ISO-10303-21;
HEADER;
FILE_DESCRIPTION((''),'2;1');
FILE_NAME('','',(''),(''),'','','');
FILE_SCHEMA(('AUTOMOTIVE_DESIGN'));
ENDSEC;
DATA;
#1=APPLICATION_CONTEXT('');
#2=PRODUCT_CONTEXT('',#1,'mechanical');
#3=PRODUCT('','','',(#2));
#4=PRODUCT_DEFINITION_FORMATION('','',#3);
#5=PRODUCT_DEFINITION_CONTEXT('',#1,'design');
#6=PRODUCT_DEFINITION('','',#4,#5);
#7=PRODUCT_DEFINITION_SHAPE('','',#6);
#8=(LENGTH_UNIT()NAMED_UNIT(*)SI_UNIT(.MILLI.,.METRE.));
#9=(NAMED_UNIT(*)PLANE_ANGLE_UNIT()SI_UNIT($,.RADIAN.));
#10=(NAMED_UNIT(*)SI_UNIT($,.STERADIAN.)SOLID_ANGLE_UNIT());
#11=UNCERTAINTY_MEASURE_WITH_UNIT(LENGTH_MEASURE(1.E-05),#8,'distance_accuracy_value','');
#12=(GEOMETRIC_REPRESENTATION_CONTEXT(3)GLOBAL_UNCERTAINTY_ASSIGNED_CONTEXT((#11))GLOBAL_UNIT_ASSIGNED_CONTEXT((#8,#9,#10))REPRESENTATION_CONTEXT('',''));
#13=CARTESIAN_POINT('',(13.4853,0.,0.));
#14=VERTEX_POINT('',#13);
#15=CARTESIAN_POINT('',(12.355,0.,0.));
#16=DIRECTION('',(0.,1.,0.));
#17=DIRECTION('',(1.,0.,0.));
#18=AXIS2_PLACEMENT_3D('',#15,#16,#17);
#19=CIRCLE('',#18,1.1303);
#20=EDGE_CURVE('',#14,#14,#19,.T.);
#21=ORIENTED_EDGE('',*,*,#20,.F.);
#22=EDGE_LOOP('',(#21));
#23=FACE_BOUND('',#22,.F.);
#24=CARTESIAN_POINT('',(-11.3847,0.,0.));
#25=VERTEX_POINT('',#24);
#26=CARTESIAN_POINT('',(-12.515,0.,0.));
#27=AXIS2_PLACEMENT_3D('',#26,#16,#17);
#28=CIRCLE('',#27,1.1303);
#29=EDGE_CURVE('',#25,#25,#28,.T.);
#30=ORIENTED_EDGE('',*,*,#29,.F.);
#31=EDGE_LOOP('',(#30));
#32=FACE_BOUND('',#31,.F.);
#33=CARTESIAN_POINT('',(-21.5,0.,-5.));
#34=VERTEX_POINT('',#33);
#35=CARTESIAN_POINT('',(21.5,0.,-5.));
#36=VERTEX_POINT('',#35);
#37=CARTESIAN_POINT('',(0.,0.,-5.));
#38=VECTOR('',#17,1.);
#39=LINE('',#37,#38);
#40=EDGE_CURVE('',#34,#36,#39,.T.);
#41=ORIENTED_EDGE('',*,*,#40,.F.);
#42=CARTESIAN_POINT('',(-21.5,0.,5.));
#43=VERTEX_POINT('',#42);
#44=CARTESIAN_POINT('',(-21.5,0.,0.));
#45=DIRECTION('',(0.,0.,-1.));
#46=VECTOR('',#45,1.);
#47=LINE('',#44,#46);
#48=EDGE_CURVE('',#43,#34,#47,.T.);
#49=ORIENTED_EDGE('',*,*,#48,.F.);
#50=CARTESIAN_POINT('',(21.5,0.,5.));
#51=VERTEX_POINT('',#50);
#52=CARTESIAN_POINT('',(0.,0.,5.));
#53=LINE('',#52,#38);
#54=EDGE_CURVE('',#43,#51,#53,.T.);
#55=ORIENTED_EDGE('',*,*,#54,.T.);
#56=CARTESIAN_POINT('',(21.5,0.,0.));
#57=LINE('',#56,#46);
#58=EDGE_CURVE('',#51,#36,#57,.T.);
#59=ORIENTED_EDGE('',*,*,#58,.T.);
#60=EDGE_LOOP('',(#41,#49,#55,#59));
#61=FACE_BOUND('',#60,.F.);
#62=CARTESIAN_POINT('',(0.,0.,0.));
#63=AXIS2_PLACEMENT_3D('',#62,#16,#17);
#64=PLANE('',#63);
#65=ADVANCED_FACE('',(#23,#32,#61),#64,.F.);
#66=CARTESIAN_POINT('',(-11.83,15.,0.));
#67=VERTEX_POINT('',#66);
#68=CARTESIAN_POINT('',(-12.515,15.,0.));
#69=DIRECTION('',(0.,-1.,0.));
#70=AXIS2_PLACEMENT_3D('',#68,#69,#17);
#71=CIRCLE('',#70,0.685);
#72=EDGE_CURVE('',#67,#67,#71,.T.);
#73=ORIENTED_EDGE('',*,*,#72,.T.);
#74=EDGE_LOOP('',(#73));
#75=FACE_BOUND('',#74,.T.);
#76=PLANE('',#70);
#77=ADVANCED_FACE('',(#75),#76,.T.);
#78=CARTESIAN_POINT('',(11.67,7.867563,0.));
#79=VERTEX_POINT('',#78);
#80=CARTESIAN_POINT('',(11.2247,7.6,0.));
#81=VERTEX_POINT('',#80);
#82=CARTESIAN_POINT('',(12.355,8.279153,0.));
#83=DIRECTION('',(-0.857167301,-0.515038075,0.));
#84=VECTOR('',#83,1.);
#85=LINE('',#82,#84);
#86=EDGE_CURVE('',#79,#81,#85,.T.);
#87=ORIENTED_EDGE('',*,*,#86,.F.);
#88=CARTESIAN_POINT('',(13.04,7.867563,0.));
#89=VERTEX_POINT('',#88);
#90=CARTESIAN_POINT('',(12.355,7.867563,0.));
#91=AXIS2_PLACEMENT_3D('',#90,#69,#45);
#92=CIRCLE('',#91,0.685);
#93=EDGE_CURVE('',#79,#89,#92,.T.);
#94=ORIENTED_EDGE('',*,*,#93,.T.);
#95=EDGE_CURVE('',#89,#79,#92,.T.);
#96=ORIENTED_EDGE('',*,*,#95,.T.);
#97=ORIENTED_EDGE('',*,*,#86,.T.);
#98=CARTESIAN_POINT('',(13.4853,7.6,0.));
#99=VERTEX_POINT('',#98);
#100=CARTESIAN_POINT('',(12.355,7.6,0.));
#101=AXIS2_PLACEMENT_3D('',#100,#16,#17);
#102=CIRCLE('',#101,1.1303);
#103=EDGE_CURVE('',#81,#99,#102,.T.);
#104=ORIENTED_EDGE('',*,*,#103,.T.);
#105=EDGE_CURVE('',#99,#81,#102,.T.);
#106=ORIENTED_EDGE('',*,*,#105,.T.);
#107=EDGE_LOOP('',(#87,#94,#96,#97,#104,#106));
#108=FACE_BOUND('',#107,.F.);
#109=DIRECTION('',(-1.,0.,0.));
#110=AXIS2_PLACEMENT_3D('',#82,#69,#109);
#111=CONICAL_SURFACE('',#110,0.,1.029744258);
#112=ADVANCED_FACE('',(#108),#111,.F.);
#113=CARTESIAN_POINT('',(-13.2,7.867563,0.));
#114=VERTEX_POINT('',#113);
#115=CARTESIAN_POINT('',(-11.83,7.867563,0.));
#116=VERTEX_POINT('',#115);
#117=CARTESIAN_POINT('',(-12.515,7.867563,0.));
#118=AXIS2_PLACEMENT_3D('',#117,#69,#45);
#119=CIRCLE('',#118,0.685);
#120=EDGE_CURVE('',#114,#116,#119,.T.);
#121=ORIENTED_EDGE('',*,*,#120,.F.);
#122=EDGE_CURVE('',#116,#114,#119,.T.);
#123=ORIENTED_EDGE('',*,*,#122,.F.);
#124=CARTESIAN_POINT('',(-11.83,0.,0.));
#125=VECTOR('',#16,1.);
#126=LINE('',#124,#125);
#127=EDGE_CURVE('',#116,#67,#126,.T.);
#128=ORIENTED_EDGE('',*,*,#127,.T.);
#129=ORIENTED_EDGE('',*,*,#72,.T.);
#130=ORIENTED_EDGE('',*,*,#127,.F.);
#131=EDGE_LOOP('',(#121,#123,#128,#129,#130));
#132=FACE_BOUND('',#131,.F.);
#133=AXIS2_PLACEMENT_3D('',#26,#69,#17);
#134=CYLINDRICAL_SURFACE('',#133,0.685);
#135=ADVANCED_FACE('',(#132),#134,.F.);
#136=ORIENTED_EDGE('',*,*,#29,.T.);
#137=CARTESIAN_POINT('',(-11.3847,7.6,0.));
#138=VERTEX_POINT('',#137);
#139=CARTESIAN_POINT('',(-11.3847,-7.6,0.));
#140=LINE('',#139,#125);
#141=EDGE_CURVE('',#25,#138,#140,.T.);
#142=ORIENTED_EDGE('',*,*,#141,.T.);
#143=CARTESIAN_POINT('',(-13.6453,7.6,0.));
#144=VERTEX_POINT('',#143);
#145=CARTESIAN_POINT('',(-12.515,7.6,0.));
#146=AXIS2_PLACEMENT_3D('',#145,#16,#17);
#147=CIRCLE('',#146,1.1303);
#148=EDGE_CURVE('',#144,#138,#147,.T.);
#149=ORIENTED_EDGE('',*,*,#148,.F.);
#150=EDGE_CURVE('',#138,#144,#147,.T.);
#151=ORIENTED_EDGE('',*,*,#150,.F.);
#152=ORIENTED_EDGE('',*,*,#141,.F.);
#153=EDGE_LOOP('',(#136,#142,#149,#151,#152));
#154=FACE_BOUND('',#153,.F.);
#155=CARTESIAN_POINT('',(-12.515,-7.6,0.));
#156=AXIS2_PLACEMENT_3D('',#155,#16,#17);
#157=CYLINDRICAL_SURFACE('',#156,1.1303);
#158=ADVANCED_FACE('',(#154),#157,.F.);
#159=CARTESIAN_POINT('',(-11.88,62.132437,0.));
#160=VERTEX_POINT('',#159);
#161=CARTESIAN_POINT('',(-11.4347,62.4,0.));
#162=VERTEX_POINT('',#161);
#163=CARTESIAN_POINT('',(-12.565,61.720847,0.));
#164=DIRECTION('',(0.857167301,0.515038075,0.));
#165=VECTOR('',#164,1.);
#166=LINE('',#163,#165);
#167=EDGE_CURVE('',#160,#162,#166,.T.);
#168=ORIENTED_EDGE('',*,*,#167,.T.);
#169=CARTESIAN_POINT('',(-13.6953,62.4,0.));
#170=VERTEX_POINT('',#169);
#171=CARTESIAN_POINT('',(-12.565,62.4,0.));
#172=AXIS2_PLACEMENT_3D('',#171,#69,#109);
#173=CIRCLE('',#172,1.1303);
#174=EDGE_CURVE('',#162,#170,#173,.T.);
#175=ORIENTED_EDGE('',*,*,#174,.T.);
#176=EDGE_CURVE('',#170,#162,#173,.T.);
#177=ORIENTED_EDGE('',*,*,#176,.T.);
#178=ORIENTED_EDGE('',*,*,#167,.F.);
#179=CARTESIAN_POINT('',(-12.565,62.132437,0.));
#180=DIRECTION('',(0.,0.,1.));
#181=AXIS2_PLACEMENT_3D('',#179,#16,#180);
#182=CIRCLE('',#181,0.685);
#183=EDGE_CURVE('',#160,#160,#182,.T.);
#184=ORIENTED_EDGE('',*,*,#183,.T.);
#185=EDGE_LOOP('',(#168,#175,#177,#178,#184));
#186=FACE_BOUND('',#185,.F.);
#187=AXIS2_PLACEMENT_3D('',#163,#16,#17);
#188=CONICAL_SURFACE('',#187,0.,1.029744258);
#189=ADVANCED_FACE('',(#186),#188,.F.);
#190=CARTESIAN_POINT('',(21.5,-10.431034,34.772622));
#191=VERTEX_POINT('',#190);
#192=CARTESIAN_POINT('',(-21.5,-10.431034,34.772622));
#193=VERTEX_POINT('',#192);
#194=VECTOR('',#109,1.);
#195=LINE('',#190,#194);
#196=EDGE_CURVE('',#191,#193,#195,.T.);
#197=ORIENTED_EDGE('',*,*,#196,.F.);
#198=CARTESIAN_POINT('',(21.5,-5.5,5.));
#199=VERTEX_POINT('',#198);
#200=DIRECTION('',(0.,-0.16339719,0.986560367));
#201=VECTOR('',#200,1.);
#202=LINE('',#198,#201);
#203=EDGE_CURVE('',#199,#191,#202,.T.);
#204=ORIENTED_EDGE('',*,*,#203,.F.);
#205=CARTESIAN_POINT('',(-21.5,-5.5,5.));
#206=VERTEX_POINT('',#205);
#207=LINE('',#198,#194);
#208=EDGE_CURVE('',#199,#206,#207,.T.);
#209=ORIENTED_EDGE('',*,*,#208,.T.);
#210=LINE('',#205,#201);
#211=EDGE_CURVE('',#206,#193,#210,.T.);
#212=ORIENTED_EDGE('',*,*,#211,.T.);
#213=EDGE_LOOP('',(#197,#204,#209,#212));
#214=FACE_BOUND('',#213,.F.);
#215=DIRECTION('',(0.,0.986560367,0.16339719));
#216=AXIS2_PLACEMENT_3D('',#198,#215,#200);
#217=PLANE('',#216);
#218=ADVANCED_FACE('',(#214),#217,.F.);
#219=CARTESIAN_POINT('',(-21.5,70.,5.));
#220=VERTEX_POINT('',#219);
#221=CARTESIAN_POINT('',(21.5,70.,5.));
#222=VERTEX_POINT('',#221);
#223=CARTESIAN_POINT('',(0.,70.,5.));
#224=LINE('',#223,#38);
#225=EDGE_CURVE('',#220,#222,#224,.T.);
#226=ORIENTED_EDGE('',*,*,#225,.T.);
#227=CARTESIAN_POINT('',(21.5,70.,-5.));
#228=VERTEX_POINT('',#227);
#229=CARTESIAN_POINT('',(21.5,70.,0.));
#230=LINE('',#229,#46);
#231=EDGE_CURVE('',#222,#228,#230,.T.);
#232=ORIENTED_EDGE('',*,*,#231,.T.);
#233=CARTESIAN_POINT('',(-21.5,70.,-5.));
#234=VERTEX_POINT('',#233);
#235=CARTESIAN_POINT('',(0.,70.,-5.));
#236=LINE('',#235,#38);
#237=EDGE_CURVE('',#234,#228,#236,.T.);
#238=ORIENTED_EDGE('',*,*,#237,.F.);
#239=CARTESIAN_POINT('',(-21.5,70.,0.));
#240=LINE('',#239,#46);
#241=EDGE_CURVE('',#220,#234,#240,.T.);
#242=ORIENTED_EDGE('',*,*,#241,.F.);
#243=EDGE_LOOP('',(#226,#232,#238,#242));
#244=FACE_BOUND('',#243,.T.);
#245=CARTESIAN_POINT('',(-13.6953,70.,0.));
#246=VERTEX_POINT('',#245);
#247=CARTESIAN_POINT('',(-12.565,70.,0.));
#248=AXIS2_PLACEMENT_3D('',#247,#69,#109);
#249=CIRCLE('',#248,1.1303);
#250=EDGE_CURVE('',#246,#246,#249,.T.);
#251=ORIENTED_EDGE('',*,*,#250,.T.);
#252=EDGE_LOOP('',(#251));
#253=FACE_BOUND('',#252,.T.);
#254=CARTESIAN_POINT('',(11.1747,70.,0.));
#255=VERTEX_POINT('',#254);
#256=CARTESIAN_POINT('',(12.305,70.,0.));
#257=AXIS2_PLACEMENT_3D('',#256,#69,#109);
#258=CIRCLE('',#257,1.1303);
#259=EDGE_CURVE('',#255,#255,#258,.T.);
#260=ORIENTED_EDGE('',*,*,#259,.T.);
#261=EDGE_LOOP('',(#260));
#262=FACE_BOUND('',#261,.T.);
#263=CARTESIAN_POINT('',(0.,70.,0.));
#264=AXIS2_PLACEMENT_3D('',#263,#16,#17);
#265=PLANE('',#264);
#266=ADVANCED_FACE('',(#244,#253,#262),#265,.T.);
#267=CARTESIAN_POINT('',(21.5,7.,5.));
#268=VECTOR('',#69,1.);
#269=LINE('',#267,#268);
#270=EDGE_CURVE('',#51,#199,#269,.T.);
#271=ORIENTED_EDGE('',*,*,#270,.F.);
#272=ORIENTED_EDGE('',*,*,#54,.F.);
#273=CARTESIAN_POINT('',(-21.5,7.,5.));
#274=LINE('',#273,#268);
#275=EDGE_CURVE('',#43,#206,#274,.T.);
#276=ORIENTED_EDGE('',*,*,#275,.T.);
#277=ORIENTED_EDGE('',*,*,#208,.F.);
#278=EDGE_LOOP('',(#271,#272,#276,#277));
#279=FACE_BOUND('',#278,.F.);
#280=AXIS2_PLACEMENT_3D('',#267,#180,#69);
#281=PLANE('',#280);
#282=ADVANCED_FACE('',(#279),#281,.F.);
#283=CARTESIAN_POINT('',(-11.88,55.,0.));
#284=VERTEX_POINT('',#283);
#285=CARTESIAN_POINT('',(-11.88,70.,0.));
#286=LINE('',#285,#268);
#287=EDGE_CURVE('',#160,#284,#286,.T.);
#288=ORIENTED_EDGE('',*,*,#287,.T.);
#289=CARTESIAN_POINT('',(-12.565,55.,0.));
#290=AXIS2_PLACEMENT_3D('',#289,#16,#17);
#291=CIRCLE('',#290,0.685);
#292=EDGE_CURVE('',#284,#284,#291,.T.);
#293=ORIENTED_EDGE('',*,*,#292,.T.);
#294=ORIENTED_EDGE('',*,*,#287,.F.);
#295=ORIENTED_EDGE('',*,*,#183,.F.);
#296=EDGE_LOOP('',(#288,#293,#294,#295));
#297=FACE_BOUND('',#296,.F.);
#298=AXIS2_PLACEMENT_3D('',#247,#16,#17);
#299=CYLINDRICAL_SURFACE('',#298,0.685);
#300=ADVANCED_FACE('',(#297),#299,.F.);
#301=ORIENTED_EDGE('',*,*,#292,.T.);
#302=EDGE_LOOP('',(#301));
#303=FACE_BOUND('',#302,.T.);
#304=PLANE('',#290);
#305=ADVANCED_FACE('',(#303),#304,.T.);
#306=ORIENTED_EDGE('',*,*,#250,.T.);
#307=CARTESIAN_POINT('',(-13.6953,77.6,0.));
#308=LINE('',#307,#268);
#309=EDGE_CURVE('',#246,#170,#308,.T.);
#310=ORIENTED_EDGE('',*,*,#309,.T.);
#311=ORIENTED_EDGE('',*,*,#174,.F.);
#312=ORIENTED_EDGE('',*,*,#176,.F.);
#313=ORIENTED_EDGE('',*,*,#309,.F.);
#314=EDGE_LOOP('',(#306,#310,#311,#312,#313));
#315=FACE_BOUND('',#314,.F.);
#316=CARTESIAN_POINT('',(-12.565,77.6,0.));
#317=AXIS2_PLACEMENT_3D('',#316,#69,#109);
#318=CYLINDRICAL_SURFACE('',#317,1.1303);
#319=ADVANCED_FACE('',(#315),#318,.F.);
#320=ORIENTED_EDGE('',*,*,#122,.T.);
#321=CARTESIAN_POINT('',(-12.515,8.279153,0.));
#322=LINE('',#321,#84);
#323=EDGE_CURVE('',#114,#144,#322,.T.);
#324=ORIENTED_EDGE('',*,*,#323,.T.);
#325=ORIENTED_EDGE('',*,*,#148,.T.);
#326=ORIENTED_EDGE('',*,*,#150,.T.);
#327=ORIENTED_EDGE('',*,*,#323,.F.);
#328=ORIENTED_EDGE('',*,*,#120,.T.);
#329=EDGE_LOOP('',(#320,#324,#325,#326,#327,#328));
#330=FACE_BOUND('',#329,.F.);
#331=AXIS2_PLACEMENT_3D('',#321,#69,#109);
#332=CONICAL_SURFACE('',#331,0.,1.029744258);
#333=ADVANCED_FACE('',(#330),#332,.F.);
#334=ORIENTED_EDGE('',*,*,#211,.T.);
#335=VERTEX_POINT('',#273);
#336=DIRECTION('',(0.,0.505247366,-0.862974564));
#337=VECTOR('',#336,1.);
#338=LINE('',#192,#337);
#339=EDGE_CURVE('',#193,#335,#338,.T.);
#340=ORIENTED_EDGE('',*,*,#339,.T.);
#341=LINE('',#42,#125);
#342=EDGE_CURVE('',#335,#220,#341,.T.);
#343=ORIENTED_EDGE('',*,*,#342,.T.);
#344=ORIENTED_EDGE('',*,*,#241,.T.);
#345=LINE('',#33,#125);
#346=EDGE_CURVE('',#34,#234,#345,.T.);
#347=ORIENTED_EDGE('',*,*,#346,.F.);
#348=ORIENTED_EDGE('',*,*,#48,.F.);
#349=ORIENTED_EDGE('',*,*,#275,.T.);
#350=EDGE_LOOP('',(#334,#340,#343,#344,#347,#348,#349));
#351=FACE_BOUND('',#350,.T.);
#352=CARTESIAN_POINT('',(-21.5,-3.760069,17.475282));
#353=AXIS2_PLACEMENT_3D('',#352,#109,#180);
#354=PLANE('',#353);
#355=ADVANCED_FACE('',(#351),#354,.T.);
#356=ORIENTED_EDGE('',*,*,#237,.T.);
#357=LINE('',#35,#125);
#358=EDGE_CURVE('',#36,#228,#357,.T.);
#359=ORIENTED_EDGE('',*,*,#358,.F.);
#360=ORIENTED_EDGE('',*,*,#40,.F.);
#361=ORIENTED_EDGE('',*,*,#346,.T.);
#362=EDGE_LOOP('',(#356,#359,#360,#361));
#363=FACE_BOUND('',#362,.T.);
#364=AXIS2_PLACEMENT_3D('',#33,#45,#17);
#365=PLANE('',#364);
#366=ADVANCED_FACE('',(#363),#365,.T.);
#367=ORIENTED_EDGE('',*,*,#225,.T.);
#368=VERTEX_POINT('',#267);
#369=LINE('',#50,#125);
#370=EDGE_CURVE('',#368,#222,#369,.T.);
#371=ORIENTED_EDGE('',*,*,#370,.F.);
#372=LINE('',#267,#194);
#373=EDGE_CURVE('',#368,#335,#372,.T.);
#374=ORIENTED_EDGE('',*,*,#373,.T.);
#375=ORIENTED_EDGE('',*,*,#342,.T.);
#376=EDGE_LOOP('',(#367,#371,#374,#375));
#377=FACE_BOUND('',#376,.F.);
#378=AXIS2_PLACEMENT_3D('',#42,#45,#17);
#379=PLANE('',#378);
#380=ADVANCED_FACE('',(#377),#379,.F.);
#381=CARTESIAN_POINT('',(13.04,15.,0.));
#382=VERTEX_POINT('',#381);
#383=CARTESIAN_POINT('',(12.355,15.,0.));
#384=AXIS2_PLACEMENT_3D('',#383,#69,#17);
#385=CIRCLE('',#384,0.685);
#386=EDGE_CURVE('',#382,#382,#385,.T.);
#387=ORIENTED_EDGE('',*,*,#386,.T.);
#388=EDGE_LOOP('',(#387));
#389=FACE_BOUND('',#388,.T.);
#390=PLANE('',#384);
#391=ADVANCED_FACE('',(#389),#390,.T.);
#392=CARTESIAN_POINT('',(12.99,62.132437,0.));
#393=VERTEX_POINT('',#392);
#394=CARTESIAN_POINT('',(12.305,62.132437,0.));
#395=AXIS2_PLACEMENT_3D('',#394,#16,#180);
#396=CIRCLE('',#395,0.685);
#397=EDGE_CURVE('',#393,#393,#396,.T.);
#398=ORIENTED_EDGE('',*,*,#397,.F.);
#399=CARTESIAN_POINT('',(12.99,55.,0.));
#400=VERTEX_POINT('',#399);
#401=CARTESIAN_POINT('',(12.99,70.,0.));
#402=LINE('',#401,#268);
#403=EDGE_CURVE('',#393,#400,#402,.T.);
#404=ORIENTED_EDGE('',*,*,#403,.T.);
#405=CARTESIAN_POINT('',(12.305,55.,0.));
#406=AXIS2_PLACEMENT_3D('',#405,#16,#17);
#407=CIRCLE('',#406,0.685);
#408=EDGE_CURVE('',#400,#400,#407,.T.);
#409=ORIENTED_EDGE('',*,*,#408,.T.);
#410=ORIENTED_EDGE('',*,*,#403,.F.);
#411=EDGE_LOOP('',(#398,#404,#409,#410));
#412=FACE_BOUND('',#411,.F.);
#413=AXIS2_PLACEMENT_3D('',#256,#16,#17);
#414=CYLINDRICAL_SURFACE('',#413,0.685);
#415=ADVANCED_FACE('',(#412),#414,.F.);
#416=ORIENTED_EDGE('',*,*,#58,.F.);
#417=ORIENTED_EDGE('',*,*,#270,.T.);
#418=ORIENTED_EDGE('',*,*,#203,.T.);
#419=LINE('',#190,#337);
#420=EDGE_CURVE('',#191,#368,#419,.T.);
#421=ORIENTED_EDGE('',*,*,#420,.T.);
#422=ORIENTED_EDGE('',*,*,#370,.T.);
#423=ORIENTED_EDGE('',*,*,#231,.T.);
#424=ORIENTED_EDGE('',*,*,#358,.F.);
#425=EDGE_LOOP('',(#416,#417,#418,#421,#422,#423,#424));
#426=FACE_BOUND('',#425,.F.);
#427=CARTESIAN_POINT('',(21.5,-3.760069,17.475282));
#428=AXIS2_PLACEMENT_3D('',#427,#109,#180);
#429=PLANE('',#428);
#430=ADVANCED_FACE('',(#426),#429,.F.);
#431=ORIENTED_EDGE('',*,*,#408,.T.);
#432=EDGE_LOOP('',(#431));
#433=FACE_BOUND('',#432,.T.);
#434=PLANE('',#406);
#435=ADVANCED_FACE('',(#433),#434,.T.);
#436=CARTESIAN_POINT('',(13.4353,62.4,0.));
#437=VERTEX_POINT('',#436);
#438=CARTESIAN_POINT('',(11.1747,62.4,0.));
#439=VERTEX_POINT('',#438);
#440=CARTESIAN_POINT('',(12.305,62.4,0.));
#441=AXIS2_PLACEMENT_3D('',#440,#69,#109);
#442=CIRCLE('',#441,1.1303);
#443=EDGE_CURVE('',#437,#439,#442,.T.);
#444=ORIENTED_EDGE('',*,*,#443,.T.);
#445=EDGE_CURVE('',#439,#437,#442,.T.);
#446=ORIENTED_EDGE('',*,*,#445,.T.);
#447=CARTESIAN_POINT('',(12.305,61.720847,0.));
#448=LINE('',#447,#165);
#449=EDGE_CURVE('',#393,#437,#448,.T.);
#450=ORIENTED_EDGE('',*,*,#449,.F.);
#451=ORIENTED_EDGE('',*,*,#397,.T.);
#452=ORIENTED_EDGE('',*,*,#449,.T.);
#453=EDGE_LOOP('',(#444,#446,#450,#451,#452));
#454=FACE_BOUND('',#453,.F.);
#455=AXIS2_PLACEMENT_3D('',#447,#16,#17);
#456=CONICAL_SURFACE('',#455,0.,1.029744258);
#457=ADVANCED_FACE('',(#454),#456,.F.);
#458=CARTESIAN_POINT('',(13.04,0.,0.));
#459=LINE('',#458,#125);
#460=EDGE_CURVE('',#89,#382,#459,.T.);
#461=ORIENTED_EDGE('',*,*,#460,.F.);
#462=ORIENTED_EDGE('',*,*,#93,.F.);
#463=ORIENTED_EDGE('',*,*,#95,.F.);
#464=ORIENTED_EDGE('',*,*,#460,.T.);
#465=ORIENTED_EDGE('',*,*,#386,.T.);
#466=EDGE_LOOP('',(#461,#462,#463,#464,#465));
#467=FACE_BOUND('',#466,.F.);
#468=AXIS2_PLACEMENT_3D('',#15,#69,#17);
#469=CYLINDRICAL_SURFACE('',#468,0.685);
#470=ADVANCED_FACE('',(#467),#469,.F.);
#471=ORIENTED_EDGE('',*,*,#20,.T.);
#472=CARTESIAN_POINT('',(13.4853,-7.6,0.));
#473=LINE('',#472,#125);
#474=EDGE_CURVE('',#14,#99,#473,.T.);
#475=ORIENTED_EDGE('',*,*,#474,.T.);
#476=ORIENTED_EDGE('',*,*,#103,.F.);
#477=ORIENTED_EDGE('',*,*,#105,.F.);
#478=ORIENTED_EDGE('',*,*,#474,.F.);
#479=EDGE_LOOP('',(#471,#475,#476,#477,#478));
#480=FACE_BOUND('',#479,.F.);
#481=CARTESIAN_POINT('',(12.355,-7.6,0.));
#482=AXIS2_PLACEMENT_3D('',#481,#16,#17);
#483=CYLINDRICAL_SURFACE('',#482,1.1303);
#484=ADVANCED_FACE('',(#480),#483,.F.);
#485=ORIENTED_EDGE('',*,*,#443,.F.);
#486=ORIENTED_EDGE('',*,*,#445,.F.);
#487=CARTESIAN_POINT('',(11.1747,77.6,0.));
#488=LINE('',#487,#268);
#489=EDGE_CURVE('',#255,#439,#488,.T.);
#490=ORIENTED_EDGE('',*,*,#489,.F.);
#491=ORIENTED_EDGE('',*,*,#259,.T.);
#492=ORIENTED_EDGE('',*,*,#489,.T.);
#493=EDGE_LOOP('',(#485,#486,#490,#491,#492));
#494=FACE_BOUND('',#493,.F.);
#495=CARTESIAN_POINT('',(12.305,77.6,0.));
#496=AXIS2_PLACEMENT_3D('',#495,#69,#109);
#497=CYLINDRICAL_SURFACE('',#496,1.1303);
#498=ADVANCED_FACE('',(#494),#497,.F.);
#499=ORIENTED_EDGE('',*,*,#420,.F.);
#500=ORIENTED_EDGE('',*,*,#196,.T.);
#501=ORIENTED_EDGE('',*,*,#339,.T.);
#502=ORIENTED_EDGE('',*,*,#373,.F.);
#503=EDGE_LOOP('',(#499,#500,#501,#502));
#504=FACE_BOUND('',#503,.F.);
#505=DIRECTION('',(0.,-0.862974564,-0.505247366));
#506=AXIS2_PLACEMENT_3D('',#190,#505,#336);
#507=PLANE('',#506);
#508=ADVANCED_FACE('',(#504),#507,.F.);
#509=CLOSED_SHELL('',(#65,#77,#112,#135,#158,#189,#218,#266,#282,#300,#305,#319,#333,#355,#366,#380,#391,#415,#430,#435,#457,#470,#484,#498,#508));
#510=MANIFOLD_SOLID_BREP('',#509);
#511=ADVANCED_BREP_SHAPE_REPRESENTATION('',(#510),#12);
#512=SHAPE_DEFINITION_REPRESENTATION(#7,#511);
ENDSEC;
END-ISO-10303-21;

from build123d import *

# Parameters (mm, degrees)
SKETCH1_W                 = 43
SKETCH1_H                 = 10
BOSS_EXTRUDE1_DEPTH       = 70
BOSS_EXTRUDE3_DEPTH       = 43
SKETCH3_R                 = 0.685
CUT_EXTRUDE1_DEPTH        = 15
SKETCH4_R                 = 0.685
CUT_EXTRUDE2_DEPTH        = 15
F_4_40_TAPPED_HOLE1_D     = 2.2606
F_4_40_TAPPED_HOLE1_DEPTH = 7.6
F_4_40_TAPPED_HOLE1_TIP   = 0.679152758
F_4_40_TAPPED_HOLE2_D     = 2.2606
F_4_40_TAPPED_HOLE2_DEPTH = 7.6
F_4_40_TAPPED_HOLE2_TIP   = 0.679152758


with BuildPart() as part:
    # Sketch1 → Boss-Extrude1 (new body)
    with BuildSketch(Plane(origin=(0, 0, 0), x_dir=(1, 0, 0), z_dir=(0, 1, 0))):
        Rectangle(SKETCH1_W, SKETCH1_H)
    extrude(amount=BOSS_EXTRUDE1_DEPTH)

    # Sketch2 → Boss-Extrude3 (add)
    with BuildSketch(Plane(origin=(21.5, 0, 0), x_dir=(0, 0, -1), z_dir=(1, 0, 0))):
        Polygon((-5, 7), (-5, -5.5), (-34.772622472, -10.431034139), align=None)
    extrude(amount=-BOSS_EXTRUDE3_DEPTH)

    # Sketch3 → Cut-Extrude1 (cut)
    with BuildSketch(Plane.XZ):
        with Locations((-12.515, 0)):
            Circle(SKETCH3_R)
        with Locations((12.355, 0)):
            Circle(SKETCH3_R)
    extrude(amount=-CUT_EXTRUDE1_DEPTH, mode=Mode.SUBTRACT)

    # Sketch4 → Cut-Extrude2 (cut)
    with BuildSketch(Plane(origin=(0, 70, 0), x_dir=(1, 0, 0), z_dir=(0, 1, 0))):
        with Locations((-12.565, 0)):
            Circle(SKETCH4_R)
        with Locations((12.305, 0)):
            Circle(SKETCH4_R)
    extrude(amount=-CUT_EXTRUDE2_DEPTH, mode=Mode.SUBTRACT)

    # #4-40 Tapped Hole1
    with Locations(Plane(origin=(0, 70, 0), x_dir=(1, 0, 0), z_dir=(0, 1, 0))):
        with Locations((12.305, 0), (-12.565, 0)):
            Hole(F_4_40_TAPPED_HOLE1_D / 2, depth=F_4_40_TAPPED_HOLE1_DEPTH)
            with Locations((0, 0, -(F_4_40_TAPPED_HOLE1_DEPTH + F_4_40_TAPPED_HOLE1_TIP / 2))):  # 118° drill point
                Cone(0, F_4_40_TAPPED_HOLE1_D / 2, F_4_40_TAPPED_HOLE1_TIP, mode=Mode.SUBTRACT)

    # #4-40 Tapped Hole2
    with Locations(Plane(origin=(0, 0, 0), x_dir=(-1, 0, 0), z_dir=(0, -1, 0))):
        with Locations((-12.355, 0), (12.515, 0)):
            Hole(F_4_40_TAPPED_HOLE2_D / 2, depth=F_4_40_TAPPED_HOLE2_DEPTH)
            with Locations((0, 0, -(F_4_40_TAPPED_HOLE2_DEPTH + F_4_40_TAPPED_HOLE2_TIP / 2))):  # 118° drill point
                Cone(0, F_4_40_TAPPED_HOLE2_D / 2, F_4_40_TAPPED_HOLE2_TIP, mode=Mode.SUBTRACT)


solid = part.part
